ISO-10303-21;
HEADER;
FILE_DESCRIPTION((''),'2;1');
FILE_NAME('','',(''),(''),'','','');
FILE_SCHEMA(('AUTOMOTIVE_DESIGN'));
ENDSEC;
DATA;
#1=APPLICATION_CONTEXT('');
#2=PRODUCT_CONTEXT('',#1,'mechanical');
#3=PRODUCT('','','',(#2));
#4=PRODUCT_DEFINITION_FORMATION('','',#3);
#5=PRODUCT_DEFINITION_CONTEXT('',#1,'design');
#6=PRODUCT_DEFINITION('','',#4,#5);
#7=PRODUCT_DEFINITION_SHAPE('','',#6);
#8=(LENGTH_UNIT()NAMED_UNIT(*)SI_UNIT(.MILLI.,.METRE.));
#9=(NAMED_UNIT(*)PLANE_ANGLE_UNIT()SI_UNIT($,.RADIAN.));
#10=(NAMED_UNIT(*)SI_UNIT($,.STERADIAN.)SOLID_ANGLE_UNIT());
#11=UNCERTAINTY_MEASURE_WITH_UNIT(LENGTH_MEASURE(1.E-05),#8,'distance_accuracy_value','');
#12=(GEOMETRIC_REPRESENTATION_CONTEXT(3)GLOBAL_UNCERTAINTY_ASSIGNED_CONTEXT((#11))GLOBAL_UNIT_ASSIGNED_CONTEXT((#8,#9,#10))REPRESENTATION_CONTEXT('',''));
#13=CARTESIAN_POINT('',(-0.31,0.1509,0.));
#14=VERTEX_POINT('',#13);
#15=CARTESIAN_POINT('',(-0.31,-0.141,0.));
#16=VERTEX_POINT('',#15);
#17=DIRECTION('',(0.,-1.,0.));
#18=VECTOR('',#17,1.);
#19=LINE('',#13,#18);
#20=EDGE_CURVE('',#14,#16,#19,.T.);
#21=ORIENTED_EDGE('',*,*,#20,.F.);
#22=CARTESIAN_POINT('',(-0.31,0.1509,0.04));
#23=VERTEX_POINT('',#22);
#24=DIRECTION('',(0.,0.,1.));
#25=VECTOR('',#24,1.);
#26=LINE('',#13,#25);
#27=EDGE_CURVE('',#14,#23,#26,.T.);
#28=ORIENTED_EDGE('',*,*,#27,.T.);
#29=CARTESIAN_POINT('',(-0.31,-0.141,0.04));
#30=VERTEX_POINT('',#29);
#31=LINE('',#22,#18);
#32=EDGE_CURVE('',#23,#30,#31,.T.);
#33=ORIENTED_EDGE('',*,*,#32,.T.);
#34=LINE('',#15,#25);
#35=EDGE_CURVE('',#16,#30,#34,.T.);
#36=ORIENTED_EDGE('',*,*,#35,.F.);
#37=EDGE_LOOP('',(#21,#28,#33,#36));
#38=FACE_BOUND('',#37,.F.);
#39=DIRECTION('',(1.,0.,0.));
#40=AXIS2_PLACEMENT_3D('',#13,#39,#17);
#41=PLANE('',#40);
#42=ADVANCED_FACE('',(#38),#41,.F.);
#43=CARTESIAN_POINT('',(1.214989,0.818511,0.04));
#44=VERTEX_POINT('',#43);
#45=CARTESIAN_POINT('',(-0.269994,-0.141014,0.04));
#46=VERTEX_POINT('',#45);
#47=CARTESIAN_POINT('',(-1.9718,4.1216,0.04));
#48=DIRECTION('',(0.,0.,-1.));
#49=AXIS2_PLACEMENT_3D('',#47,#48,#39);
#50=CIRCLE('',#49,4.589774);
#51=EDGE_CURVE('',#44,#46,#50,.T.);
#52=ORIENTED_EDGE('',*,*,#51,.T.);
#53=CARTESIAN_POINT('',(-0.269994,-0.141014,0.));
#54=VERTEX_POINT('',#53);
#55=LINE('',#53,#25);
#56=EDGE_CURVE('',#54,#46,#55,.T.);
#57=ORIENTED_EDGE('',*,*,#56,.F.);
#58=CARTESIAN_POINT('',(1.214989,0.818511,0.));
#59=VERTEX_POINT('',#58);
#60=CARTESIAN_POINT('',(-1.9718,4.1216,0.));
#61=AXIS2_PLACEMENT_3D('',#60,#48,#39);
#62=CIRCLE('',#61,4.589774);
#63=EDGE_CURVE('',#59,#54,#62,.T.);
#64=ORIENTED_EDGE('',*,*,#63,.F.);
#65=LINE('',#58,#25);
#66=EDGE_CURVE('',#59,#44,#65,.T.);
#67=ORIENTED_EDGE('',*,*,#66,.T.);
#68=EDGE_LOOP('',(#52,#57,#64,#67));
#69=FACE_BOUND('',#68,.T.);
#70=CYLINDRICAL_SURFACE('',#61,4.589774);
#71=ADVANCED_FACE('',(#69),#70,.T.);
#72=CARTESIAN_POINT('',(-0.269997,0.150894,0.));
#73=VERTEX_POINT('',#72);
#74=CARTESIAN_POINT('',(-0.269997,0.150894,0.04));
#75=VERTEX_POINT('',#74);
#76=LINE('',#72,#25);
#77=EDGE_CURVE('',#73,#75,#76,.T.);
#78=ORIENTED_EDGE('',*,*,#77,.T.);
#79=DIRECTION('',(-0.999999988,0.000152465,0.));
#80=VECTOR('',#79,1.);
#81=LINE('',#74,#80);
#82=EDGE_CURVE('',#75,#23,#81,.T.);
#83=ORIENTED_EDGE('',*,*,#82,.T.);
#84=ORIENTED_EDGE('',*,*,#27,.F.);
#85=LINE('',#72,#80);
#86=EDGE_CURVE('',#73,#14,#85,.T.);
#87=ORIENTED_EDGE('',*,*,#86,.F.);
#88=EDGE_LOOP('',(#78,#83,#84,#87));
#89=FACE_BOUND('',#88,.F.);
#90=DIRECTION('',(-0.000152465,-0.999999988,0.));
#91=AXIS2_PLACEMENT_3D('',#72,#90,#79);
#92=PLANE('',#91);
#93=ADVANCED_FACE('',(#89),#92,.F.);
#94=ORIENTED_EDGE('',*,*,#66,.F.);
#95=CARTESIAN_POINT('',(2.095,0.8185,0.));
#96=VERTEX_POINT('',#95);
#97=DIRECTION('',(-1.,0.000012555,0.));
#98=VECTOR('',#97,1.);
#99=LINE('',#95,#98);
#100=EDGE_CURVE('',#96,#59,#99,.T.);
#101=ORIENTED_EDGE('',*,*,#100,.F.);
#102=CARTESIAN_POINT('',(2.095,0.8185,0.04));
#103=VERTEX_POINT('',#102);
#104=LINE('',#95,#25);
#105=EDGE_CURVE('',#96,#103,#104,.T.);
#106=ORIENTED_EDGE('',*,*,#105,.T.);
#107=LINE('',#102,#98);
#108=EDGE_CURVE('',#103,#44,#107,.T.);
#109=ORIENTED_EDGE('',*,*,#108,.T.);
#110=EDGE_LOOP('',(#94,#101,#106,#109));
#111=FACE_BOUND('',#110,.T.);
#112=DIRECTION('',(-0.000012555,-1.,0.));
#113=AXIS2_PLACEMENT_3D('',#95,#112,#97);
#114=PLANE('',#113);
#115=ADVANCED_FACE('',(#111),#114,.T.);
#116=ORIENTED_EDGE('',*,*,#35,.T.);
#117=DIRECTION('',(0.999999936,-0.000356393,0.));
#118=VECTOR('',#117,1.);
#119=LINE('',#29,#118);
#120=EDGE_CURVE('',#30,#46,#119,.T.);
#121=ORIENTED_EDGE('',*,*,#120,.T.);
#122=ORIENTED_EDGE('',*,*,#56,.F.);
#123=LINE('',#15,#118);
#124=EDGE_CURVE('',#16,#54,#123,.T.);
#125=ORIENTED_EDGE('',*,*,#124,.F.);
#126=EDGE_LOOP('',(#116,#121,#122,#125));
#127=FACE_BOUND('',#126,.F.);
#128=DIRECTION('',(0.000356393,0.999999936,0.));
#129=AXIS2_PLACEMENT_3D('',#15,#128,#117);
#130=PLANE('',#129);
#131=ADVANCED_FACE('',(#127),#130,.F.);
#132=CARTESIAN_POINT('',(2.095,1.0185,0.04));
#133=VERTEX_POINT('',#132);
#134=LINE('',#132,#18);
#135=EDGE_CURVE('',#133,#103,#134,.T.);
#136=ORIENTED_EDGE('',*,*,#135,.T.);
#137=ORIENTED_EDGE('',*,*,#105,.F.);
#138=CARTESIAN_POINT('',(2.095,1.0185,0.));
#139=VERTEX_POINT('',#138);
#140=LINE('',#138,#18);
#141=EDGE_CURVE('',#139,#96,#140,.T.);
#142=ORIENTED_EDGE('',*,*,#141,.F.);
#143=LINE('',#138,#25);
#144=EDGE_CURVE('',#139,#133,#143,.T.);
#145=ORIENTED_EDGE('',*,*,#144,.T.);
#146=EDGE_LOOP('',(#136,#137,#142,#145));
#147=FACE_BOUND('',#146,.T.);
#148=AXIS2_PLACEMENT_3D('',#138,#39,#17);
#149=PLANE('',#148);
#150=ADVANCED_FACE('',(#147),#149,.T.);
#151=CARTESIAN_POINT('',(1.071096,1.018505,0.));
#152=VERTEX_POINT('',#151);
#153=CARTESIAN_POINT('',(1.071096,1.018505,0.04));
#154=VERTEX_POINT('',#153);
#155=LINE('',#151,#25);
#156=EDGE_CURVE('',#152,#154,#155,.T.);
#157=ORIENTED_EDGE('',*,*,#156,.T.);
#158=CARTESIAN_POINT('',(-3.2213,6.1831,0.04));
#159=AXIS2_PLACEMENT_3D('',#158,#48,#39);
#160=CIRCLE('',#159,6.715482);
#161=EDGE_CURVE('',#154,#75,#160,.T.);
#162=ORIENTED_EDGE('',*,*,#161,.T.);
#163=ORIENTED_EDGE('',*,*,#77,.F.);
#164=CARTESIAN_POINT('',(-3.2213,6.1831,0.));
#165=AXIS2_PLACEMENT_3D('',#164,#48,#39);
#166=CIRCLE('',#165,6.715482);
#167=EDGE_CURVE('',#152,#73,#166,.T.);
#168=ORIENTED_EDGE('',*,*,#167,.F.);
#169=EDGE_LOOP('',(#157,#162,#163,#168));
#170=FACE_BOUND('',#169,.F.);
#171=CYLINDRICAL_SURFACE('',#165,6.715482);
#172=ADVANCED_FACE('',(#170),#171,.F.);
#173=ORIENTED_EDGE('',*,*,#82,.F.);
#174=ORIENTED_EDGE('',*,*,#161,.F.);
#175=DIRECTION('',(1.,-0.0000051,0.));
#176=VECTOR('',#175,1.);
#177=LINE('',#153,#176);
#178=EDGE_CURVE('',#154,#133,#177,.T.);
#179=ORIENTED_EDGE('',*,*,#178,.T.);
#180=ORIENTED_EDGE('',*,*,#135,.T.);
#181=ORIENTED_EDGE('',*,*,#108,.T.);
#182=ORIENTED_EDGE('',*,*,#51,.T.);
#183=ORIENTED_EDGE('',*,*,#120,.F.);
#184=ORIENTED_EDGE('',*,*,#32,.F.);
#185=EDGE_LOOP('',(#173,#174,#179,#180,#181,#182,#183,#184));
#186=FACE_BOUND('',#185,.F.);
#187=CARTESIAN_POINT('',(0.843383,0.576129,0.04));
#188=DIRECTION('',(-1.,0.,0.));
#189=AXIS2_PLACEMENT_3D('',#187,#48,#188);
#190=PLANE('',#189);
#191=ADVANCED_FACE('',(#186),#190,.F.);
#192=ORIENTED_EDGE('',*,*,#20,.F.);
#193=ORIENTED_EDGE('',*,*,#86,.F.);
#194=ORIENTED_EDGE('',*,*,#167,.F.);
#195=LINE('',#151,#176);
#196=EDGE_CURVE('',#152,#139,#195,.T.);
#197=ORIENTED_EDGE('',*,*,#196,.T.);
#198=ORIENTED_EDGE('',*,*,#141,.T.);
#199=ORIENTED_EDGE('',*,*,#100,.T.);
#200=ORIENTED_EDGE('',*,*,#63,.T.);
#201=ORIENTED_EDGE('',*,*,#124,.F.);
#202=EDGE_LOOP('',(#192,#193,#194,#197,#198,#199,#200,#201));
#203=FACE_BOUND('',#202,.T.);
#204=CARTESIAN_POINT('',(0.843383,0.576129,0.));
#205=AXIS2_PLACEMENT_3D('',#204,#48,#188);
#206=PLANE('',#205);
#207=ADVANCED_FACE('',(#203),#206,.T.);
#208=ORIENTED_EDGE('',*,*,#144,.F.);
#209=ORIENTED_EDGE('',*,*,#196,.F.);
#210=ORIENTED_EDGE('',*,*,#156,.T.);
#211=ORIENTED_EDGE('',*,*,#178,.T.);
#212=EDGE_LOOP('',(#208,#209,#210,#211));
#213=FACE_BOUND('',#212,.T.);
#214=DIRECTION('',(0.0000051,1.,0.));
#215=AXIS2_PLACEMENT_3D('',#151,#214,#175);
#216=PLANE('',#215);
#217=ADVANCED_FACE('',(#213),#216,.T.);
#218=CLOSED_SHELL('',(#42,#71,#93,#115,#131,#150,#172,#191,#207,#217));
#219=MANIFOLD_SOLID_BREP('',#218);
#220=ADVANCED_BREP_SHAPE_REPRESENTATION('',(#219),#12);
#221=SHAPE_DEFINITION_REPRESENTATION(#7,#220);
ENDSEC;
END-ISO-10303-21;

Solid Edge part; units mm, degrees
sketch "Sketch1" plane through (0, 0, 0) normal (0, 0, 1) x (1, 0, 0)
  line L0 (2.095, 1.0185) -> (2.095, 0.8185)
  line L1 (2.095, 0.8185) -> (1.215, 0.8185)
  arc A0 (1.215, 0.8185) -> (-0.27, -0.141) centre (-1.9718, 4.1216) cw
  line L2 (-0.31, -0.141) -> (-0.27, -0.141)
  line L3 (-0.31, 0.1509) -> (-0.31, -0.141)
  line L4 (-0.27, 0.1509) -> (-0.31, 0.1509)
  arc A1 (1.0711, 1.0185) -> (-0.27, 0.1509) centre (-3.2213, 6.1831) cw
  line L5 (1.0711, 1.0185) -> (2.095, 1.0185)
  dimension "D1" = 0.2
  dimension "D2" = 0.88
extrude "Protrusion1" add sketch "Sketch1" along normal blind 0.04
